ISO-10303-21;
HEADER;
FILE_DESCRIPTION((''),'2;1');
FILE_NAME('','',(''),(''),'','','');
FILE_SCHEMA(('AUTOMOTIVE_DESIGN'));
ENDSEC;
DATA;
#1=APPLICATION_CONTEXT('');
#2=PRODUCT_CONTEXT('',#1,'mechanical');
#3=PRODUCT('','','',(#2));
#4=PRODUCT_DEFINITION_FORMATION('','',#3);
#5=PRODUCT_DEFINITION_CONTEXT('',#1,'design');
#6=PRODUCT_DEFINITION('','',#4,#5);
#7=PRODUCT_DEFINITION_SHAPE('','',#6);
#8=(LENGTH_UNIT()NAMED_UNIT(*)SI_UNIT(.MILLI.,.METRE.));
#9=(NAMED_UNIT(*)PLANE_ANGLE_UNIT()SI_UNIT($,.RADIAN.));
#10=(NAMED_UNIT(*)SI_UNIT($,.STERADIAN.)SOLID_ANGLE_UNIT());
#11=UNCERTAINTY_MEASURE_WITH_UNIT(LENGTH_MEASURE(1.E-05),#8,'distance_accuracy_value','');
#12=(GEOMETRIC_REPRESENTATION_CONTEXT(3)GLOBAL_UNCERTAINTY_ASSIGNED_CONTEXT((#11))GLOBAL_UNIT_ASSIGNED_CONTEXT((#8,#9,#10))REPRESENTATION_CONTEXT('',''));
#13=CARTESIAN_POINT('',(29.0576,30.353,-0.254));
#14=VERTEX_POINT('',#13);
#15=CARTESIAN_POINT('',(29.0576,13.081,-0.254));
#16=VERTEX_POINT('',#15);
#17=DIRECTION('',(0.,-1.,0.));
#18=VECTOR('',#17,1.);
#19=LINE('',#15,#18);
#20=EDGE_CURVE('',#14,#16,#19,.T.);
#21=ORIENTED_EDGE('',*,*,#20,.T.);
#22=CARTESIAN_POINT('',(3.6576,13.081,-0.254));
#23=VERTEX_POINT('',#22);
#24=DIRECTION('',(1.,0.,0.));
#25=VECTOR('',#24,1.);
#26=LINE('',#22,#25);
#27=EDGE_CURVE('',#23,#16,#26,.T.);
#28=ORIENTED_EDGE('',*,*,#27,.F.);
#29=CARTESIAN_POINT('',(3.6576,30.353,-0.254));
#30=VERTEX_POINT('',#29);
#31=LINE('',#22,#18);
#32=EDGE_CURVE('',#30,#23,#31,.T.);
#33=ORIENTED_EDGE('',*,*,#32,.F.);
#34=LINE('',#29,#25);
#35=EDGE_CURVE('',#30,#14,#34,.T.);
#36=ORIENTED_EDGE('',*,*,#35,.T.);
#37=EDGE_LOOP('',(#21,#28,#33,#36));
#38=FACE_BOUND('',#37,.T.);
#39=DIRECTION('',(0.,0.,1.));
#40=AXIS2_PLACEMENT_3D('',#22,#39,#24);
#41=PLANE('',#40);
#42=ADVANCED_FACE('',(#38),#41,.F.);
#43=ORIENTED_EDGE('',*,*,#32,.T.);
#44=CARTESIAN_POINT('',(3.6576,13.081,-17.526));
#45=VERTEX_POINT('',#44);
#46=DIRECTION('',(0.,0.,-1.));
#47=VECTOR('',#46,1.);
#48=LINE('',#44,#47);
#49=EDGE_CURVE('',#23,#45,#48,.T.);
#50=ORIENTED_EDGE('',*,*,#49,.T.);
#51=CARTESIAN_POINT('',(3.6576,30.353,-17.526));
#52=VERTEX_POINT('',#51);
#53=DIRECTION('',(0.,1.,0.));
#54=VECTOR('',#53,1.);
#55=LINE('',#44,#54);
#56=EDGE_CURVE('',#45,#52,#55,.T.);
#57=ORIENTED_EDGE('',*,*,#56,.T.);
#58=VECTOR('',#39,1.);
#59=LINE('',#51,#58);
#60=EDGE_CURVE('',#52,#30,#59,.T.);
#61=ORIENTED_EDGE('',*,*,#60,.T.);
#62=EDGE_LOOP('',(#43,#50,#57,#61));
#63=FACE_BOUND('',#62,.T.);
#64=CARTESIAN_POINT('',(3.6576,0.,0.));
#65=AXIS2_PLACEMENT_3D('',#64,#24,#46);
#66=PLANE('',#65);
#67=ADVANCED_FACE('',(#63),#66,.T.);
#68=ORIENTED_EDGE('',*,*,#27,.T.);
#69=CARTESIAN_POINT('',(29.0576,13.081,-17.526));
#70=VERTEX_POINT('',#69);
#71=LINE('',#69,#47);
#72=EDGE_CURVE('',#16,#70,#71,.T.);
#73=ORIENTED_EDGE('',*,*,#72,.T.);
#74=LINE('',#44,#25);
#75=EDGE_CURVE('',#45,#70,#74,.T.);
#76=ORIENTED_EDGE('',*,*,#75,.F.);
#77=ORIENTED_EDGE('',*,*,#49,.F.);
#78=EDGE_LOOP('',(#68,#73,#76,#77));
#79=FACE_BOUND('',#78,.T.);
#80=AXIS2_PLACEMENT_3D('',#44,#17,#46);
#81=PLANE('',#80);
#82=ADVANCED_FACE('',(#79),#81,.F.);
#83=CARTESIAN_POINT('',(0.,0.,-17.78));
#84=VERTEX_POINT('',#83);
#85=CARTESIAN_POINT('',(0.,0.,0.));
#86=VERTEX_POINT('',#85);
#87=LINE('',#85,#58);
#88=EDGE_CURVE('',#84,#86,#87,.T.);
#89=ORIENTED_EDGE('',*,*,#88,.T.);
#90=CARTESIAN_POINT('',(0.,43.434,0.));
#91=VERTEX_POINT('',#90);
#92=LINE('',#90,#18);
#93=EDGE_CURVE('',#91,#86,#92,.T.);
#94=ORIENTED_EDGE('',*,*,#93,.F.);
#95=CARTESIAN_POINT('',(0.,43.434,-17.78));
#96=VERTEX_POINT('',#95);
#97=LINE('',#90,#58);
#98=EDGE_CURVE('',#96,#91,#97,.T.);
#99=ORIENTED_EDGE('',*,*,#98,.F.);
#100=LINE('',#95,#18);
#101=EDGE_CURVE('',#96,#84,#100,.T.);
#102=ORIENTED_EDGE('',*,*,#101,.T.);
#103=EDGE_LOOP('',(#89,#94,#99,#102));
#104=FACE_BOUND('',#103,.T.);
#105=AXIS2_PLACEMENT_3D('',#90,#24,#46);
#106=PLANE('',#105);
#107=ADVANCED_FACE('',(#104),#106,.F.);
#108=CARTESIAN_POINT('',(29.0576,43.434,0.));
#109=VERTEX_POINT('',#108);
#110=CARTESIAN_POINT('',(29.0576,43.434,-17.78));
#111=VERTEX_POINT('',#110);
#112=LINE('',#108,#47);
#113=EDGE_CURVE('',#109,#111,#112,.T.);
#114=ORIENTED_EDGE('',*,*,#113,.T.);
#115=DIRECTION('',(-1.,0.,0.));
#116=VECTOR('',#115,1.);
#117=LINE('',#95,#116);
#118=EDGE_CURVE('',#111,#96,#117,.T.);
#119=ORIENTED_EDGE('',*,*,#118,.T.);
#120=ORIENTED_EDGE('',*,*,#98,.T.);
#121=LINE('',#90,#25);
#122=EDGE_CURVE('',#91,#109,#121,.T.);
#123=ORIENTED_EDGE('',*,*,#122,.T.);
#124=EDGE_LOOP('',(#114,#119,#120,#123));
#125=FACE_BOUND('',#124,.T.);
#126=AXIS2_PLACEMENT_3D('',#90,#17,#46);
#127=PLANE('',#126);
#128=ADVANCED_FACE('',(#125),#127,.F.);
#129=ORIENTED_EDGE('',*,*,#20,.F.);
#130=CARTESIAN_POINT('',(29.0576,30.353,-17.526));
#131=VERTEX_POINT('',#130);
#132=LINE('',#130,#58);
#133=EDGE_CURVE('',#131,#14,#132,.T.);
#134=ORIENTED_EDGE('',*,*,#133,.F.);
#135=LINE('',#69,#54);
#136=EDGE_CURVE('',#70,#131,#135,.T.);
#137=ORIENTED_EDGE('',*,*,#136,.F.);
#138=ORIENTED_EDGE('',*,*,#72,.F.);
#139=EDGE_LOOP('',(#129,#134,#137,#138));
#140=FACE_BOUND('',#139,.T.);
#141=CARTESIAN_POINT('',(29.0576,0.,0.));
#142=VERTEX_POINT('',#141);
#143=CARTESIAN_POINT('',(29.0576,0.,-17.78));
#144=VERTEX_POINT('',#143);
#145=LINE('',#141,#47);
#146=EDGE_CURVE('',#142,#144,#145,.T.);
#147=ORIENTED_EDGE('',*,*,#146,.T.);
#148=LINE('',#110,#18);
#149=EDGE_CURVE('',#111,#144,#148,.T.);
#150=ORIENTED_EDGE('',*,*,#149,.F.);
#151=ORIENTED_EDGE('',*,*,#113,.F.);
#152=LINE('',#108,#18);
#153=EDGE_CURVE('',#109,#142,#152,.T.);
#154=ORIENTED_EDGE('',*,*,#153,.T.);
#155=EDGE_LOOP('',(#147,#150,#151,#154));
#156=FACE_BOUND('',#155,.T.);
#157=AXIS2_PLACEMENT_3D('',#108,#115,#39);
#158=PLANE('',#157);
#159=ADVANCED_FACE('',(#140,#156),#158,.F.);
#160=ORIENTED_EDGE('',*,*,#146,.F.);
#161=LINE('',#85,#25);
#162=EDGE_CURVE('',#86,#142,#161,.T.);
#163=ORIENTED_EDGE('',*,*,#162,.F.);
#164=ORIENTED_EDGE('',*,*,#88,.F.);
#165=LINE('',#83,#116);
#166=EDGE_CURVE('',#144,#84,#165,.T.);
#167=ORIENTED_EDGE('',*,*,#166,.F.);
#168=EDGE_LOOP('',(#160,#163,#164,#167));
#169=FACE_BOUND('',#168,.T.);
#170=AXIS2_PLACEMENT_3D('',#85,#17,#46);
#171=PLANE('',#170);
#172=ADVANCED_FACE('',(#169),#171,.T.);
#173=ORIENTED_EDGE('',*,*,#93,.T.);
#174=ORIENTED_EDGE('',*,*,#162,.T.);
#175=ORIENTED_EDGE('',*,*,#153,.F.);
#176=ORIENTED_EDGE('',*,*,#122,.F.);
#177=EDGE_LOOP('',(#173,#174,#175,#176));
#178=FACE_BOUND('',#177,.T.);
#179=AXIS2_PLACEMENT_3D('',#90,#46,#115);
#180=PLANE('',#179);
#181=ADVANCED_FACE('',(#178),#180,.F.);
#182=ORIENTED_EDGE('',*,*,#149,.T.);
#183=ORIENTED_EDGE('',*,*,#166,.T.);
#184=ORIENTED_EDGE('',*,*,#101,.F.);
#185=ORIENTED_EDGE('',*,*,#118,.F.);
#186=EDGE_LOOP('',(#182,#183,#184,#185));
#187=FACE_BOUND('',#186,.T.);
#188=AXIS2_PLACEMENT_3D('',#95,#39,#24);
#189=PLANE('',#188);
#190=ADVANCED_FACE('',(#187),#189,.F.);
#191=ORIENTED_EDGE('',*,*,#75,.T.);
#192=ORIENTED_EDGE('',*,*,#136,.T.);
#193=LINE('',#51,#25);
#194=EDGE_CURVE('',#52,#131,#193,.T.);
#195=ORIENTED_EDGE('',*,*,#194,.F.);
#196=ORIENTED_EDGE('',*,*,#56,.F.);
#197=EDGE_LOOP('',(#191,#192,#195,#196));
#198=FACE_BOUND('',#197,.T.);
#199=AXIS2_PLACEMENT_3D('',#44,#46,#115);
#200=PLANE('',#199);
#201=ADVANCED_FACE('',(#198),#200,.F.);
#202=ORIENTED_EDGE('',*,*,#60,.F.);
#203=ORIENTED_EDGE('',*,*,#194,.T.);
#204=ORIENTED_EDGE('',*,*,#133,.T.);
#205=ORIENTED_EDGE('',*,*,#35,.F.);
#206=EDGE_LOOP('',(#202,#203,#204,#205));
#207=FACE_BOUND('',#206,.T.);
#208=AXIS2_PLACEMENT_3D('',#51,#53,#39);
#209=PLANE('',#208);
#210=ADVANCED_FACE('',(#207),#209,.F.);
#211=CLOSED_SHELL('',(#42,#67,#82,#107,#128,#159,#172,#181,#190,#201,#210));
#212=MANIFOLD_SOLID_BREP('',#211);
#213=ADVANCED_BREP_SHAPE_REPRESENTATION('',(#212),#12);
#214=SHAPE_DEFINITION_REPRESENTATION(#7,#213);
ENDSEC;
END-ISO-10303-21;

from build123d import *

# Parameters (mm, degrees)
SKETCH1_W           = 29.0576
SKETCH1_H           = 17.78
BOSS_EXTRUDE1_DEPTH = 43.434
SKETCH2_W           = 17.272
SKETCH2_H           = 17.272
CUT_EXTRUDE1_DEPTH  = 25.4


with BuildPart() as part:
    # Sketch1 → Boss-Extrude1 (new body)
    with BuildSketch(Plane(origin=(0, 0, 0), x_dir=(1, 0, 0), z_dir=(0, 1, 0))):
        with Locations((14.5288, 8.89)):
            Rectangle(SKETCH1_W, SKETCH1_H)
    extrude(amount=BOSS_EXTRUDE1_DEPTH)

    # Sketch2 → Cut-Extrude1 (cut)
    with BuildSketch(Plane(origin=(29.0576, 0, 0), x_dir=(0, 0, -1), z_dir=(1, 0, 0))):
        with Locations((8.89, 21.717)):
            Rectangle(SKETCH2_W, SKETCH2_H)
    extrude(amount=-CUT_EXTRUDE1_DEPTH, mode=Mode.SUBTRACT)


solid = part.part
